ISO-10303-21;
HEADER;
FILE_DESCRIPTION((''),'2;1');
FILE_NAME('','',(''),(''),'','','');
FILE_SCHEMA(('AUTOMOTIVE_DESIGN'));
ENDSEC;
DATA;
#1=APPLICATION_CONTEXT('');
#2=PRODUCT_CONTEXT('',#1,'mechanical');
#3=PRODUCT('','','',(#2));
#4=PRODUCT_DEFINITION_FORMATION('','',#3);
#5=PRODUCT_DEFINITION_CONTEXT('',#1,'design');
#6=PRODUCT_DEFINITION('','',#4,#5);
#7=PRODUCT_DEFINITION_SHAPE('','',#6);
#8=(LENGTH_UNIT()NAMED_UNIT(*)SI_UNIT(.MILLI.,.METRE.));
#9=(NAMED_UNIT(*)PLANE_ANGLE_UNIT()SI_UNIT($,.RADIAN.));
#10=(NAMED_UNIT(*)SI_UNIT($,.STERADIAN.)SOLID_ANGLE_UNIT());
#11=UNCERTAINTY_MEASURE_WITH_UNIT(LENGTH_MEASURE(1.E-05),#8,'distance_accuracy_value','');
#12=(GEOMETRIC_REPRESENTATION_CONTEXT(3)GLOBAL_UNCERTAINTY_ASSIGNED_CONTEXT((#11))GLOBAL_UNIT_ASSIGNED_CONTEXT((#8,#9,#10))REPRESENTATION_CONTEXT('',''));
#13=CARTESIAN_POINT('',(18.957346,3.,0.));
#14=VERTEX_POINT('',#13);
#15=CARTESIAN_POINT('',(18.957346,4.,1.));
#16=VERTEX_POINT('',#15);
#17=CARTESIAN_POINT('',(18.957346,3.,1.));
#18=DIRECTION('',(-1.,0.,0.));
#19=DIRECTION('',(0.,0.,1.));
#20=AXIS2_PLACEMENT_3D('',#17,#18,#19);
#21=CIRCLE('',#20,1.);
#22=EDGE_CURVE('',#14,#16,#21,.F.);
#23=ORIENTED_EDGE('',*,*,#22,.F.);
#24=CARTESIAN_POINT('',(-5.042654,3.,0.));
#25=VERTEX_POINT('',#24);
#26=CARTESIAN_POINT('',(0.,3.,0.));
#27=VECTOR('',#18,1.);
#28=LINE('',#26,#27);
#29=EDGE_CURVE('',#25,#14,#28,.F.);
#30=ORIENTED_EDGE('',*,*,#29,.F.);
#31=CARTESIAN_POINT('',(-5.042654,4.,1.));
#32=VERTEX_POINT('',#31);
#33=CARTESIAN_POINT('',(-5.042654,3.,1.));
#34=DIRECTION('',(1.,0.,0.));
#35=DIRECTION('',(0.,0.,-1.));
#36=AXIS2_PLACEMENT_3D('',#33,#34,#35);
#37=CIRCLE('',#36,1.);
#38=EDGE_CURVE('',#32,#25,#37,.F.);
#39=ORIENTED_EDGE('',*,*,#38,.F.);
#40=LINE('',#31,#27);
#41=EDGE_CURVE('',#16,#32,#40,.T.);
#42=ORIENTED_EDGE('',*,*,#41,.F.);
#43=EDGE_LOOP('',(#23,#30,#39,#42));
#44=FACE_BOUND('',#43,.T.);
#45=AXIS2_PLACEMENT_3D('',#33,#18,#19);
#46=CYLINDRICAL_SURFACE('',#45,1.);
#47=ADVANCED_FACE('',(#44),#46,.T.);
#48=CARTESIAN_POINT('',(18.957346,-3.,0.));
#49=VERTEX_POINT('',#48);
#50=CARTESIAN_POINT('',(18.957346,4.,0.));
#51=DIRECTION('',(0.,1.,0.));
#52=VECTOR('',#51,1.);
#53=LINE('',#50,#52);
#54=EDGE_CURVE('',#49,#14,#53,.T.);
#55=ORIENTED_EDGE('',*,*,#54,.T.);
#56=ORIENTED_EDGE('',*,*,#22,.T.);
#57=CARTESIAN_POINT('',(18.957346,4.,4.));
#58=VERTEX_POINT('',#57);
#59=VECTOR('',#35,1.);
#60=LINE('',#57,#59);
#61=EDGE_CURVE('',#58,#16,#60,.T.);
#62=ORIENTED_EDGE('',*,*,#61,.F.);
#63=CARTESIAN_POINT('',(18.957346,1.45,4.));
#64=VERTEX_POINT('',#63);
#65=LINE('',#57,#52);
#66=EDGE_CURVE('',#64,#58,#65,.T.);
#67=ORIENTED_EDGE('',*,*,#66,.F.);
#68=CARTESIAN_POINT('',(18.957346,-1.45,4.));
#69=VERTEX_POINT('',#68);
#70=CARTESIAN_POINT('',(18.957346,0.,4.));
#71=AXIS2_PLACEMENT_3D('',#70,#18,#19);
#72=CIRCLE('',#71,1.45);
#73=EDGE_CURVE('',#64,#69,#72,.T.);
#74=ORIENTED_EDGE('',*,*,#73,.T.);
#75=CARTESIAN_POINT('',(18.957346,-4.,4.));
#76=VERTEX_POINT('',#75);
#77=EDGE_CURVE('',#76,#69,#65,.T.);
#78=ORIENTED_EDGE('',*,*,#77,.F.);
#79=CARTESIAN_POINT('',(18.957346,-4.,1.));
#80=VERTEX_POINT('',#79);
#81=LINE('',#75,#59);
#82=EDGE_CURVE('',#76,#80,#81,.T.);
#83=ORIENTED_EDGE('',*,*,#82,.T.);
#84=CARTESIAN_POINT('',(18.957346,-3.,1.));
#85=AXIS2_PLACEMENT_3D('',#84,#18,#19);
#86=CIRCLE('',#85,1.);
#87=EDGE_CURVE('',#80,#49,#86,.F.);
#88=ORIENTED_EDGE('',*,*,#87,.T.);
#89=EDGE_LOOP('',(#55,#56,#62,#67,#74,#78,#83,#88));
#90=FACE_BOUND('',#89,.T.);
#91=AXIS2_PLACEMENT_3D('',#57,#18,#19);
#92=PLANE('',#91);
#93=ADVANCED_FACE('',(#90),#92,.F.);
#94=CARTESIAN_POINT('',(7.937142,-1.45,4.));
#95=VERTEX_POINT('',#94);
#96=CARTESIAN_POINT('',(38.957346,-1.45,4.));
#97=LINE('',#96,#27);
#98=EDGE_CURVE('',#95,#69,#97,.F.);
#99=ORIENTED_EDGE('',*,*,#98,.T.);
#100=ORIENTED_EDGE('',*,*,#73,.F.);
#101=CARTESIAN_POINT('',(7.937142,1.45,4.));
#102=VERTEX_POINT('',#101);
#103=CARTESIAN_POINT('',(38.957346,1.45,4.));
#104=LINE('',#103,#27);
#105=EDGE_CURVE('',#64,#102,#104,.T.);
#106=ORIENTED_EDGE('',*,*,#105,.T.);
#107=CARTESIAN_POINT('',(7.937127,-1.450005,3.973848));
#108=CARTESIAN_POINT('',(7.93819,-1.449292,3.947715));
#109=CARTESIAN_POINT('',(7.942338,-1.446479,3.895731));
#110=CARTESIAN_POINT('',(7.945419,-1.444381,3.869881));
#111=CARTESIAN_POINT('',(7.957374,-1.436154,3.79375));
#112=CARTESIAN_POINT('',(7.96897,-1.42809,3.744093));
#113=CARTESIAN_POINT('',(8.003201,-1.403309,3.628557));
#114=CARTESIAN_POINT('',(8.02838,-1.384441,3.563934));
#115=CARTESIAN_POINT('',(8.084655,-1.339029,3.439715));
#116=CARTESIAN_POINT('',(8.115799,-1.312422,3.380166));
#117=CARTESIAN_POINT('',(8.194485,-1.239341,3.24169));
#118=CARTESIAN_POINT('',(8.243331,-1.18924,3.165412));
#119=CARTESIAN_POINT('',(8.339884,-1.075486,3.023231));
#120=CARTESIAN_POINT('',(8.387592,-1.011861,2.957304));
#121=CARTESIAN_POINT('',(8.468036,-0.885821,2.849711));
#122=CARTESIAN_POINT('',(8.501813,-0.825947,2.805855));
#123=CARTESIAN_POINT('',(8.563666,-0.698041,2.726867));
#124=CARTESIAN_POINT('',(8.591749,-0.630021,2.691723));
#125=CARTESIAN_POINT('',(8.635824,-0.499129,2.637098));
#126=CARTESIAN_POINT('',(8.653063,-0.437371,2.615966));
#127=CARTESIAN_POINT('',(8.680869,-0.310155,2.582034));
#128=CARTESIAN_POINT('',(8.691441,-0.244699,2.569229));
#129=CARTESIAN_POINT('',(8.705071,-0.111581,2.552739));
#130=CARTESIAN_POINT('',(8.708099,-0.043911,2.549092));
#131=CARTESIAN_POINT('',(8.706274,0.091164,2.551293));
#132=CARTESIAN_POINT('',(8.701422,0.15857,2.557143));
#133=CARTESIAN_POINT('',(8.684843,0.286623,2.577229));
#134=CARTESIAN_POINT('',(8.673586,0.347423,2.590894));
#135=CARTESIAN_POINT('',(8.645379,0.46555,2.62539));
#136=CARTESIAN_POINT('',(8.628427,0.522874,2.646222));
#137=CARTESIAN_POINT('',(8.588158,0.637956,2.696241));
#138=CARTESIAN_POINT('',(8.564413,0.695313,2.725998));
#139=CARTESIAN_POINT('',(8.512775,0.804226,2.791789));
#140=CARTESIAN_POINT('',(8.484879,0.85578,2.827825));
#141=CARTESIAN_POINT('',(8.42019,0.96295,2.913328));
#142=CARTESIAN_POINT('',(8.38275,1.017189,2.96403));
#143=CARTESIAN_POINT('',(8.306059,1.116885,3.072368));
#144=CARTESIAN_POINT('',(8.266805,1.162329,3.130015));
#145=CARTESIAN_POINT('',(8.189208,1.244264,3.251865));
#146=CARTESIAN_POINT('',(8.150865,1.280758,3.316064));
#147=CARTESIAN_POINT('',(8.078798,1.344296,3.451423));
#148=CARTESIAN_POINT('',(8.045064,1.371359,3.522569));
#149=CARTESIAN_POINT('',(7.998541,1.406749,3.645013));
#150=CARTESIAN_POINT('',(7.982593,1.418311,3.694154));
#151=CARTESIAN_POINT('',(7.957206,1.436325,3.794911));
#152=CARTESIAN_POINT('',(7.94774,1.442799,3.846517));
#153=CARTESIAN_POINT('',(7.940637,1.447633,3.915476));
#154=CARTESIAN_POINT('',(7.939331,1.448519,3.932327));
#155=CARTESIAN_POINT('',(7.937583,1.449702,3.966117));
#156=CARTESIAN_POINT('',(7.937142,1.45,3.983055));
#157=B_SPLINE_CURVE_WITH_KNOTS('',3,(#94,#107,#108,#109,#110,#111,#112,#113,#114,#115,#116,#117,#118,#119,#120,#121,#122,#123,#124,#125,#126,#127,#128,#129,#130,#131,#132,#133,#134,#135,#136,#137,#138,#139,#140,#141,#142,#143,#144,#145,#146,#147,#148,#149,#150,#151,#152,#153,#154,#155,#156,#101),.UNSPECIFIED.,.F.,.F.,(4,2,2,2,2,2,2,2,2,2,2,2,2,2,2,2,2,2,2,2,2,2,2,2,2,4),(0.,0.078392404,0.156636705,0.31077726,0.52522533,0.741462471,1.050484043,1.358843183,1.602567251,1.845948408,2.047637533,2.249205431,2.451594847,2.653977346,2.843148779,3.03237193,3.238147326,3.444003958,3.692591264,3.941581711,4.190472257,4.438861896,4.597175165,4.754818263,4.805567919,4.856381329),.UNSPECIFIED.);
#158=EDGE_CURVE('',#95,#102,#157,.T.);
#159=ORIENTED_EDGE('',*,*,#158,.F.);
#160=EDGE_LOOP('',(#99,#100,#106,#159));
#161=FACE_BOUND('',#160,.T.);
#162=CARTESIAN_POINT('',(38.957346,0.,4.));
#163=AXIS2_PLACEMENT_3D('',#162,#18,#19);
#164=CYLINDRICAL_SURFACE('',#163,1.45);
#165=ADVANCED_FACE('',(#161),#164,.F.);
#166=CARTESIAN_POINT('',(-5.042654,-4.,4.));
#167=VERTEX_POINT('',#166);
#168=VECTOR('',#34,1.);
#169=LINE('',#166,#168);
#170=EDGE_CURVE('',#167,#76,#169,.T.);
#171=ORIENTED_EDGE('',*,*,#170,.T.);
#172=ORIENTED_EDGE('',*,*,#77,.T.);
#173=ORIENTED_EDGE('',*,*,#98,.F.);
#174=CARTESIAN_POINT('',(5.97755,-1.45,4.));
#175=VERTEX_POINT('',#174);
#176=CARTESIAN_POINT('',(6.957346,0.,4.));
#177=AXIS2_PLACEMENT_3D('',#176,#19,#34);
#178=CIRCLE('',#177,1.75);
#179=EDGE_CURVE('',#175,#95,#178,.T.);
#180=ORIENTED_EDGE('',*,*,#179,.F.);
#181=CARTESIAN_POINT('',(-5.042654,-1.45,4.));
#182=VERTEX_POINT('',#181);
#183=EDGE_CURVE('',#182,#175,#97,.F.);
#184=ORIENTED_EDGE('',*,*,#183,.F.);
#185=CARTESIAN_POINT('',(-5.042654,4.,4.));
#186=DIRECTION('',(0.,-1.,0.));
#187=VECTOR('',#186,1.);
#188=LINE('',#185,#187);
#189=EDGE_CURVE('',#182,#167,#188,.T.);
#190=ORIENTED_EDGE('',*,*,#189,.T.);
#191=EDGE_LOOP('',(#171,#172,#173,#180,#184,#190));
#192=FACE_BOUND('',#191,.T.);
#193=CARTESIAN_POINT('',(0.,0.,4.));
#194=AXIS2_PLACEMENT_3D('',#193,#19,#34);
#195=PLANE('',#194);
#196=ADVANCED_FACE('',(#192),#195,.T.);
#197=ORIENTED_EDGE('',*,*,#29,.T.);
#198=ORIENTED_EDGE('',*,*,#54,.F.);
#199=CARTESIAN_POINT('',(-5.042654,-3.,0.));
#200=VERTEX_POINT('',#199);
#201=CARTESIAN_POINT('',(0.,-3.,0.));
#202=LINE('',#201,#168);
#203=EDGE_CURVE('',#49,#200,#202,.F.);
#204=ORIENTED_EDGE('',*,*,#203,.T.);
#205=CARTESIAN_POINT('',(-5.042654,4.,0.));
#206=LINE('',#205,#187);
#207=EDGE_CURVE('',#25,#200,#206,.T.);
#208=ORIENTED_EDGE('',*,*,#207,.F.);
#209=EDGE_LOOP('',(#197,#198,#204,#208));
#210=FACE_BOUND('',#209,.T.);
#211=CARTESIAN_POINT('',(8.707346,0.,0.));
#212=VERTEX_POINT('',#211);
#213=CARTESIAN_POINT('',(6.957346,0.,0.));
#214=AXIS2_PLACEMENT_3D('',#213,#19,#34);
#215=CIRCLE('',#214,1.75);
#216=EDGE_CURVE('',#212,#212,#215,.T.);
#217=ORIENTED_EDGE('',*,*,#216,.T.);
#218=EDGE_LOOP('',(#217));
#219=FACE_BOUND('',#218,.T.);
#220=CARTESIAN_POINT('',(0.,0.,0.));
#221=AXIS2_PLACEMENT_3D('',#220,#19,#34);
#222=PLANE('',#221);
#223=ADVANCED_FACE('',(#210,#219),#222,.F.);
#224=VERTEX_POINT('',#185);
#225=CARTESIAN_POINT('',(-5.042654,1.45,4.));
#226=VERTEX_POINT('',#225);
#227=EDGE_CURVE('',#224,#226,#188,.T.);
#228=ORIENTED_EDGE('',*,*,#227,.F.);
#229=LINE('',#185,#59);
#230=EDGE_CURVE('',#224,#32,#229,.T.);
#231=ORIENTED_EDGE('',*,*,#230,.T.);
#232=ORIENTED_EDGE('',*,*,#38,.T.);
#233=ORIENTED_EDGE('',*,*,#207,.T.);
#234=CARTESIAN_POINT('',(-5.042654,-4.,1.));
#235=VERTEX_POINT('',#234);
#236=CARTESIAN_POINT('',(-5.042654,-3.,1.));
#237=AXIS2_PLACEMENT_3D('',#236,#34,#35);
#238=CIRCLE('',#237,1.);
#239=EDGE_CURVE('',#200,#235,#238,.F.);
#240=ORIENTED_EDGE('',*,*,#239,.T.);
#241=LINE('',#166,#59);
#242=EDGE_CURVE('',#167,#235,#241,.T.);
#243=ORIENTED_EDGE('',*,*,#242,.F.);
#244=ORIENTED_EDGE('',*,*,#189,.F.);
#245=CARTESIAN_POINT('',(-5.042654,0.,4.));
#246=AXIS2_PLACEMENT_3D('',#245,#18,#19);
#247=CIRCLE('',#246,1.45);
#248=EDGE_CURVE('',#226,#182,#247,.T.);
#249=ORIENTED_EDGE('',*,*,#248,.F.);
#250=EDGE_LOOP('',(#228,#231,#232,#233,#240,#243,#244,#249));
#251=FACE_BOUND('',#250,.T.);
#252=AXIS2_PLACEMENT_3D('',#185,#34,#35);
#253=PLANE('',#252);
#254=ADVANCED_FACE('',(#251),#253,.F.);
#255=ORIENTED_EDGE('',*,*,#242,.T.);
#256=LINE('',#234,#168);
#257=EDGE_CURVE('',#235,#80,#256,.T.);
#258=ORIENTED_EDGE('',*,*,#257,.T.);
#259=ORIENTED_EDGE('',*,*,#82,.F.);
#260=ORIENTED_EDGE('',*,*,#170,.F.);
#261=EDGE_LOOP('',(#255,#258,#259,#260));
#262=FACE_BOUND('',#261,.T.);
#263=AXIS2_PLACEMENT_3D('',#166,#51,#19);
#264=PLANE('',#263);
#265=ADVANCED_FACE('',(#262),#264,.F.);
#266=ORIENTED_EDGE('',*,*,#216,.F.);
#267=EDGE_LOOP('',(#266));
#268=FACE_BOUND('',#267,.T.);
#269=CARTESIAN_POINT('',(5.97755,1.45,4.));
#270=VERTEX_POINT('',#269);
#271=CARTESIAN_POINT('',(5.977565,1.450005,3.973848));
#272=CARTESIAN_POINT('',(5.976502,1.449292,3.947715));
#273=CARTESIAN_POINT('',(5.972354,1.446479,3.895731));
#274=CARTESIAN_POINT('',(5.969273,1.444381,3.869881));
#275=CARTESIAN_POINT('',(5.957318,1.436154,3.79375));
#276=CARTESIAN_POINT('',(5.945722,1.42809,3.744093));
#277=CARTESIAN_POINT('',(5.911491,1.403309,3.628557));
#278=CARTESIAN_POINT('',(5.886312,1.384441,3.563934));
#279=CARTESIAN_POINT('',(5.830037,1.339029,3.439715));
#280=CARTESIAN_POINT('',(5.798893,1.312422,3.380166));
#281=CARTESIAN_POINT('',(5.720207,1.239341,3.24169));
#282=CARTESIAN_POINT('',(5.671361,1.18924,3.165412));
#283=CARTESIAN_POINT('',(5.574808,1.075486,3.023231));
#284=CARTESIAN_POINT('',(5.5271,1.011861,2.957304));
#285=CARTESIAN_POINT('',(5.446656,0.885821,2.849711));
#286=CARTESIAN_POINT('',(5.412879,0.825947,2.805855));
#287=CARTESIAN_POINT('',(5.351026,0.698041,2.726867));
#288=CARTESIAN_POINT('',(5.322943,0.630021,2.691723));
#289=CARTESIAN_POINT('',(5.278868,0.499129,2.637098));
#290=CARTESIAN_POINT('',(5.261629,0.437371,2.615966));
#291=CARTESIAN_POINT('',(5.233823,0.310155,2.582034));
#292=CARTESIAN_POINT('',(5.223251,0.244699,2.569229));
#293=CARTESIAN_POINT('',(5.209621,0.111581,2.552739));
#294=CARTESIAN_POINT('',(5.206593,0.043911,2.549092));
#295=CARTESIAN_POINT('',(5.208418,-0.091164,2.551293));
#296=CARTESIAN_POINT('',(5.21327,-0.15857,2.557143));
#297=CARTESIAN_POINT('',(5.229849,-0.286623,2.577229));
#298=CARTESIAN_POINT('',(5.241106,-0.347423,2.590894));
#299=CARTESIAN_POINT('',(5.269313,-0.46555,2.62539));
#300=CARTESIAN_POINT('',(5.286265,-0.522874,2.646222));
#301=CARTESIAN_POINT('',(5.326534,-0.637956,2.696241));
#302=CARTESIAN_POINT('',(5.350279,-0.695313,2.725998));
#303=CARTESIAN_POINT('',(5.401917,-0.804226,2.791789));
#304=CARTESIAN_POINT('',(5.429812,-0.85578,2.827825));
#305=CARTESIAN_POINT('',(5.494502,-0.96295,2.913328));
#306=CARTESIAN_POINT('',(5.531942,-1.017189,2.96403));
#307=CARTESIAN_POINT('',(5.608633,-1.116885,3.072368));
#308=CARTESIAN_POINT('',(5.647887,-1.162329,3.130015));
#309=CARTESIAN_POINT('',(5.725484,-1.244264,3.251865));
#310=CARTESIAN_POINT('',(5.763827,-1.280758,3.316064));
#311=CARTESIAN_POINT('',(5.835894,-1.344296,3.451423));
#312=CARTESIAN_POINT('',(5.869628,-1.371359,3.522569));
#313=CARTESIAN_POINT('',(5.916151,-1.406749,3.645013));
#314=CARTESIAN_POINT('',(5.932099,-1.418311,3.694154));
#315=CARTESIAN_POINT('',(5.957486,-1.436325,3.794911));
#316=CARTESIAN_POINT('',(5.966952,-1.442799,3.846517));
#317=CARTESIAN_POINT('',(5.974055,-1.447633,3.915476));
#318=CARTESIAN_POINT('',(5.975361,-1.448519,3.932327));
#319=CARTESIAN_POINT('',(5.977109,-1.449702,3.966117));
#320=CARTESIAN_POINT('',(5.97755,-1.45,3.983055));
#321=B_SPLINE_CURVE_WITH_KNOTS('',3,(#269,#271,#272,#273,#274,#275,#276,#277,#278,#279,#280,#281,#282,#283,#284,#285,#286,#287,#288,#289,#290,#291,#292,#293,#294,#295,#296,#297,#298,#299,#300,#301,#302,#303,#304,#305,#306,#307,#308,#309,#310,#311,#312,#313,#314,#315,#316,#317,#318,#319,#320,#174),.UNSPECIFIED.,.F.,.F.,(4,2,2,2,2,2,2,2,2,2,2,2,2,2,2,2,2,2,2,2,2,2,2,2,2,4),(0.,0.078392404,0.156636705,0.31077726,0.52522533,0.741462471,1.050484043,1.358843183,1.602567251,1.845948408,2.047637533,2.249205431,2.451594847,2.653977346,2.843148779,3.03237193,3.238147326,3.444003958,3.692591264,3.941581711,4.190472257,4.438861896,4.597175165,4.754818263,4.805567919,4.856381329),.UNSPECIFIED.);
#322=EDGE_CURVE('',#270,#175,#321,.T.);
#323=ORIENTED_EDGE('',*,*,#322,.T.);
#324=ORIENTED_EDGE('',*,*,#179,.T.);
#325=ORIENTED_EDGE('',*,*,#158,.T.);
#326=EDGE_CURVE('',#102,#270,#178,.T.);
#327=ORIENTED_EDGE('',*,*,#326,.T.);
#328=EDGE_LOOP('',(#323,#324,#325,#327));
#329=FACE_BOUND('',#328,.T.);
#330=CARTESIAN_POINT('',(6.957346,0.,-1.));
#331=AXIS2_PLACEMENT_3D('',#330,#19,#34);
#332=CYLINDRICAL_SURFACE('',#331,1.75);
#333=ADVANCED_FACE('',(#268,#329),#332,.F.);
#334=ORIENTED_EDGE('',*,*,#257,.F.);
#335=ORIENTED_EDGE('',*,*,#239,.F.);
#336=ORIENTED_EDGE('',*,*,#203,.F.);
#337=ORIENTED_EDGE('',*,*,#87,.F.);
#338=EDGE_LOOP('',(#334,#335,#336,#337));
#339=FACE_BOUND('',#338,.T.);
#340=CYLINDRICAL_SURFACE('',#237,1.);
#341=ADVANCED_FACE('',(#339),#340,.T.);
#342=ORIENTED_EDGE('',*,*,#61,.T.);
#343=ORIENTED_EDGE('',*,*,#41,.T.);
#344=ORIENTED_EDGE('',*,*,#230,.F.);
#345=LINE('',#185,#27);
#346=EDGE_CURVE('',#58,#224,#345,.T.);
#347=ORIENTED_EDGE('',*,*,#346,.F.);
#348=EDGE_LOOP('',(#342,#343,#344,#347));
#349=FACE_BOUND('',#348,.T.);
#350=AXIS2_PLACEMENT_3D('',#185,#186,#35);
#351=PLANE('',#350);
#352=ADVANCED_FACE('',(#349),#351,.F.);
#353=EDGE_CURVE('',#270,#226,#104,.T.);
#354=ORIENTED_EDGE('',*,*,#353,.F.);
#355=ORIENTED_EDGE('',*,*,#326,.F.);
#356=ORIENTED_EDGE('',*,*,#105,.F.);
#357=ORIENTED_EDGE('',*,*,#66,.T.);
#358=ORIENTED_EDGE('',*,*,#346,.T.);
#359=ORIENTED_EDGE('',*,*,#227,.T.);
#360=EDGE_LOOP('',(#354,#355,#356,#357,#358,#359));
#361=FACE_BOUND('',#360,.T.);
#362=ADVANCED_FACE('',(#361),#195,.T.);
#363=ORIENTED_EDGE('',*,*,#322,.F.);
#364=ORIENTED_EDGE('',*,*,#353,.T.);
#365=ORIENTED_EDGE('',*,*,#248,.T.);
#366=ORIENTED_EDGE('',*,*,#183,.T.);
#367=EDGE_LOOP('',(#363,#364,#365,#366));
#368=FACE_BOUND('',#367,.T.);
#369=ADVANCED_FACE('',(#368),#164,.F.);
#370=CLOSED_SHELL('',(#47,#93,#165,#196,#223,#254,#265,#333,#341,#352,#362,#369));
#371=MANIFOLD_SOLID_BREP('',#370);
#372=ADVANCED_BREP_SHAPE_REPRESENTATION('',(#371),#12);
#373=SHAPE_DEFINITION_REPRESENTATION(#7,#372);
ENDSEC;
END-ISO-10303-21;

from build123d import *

# Parameters (mm, degrees)
SKETCH2_W           = 24
SKETCH2_H           = 8
BOSS_EXTRUDE1_DEPTH = 4
SKETCH3_R           = 1.75
CUT_EXTRUDE1_DEPTH  = 5
SKETCH4_R           = 1.45
CUT_EXTRUDE2_DEPTH  = 44
FILLET1_R           = 1


with BuildPart() as part:
    # Sketch2 → Boss-Extrude1 (new body)
    with BuildSketch(Plane.XY):
        with Locations((6.957345972, 0)):
            Rectangle(SKETCH2_W, SKETCH2_H)
    extrude(amount=BOSS_EXTRUDE1_DEPTH)

    # Sketch3 → Cut-Extrude1 (cut)
    with BuildSketch(Plane.XY.offset(4)):
        with Locations((6.957345972, 0)):
            Circle(SKETCH3_R)
    extrude(amount=-CUT_EXTRUDE1_DEPTH, mode=Mode.SUBTRACT)

    # Sketch4 → Cut-Extrude2 (cut)
    with BuildSketch(Plane.ZY.offset(5.042654028)):
        with Locations((4, 0)):
            Circle(SKETCH4_R)
    extrude(amount=-CUT_EXTRUDE2_DEPTH, mode=Mode.SUBTRACT)

    # Fillet1
    fillet1_edges = [part.edges().sort_by_distance(p)[0] for p in [
        (6.957345972, 4, 0),
        (6.957345972, -4, 0),
    ]]
    fillet(fillet1_edges, radius=FILLET1_R)


solid = part.part
